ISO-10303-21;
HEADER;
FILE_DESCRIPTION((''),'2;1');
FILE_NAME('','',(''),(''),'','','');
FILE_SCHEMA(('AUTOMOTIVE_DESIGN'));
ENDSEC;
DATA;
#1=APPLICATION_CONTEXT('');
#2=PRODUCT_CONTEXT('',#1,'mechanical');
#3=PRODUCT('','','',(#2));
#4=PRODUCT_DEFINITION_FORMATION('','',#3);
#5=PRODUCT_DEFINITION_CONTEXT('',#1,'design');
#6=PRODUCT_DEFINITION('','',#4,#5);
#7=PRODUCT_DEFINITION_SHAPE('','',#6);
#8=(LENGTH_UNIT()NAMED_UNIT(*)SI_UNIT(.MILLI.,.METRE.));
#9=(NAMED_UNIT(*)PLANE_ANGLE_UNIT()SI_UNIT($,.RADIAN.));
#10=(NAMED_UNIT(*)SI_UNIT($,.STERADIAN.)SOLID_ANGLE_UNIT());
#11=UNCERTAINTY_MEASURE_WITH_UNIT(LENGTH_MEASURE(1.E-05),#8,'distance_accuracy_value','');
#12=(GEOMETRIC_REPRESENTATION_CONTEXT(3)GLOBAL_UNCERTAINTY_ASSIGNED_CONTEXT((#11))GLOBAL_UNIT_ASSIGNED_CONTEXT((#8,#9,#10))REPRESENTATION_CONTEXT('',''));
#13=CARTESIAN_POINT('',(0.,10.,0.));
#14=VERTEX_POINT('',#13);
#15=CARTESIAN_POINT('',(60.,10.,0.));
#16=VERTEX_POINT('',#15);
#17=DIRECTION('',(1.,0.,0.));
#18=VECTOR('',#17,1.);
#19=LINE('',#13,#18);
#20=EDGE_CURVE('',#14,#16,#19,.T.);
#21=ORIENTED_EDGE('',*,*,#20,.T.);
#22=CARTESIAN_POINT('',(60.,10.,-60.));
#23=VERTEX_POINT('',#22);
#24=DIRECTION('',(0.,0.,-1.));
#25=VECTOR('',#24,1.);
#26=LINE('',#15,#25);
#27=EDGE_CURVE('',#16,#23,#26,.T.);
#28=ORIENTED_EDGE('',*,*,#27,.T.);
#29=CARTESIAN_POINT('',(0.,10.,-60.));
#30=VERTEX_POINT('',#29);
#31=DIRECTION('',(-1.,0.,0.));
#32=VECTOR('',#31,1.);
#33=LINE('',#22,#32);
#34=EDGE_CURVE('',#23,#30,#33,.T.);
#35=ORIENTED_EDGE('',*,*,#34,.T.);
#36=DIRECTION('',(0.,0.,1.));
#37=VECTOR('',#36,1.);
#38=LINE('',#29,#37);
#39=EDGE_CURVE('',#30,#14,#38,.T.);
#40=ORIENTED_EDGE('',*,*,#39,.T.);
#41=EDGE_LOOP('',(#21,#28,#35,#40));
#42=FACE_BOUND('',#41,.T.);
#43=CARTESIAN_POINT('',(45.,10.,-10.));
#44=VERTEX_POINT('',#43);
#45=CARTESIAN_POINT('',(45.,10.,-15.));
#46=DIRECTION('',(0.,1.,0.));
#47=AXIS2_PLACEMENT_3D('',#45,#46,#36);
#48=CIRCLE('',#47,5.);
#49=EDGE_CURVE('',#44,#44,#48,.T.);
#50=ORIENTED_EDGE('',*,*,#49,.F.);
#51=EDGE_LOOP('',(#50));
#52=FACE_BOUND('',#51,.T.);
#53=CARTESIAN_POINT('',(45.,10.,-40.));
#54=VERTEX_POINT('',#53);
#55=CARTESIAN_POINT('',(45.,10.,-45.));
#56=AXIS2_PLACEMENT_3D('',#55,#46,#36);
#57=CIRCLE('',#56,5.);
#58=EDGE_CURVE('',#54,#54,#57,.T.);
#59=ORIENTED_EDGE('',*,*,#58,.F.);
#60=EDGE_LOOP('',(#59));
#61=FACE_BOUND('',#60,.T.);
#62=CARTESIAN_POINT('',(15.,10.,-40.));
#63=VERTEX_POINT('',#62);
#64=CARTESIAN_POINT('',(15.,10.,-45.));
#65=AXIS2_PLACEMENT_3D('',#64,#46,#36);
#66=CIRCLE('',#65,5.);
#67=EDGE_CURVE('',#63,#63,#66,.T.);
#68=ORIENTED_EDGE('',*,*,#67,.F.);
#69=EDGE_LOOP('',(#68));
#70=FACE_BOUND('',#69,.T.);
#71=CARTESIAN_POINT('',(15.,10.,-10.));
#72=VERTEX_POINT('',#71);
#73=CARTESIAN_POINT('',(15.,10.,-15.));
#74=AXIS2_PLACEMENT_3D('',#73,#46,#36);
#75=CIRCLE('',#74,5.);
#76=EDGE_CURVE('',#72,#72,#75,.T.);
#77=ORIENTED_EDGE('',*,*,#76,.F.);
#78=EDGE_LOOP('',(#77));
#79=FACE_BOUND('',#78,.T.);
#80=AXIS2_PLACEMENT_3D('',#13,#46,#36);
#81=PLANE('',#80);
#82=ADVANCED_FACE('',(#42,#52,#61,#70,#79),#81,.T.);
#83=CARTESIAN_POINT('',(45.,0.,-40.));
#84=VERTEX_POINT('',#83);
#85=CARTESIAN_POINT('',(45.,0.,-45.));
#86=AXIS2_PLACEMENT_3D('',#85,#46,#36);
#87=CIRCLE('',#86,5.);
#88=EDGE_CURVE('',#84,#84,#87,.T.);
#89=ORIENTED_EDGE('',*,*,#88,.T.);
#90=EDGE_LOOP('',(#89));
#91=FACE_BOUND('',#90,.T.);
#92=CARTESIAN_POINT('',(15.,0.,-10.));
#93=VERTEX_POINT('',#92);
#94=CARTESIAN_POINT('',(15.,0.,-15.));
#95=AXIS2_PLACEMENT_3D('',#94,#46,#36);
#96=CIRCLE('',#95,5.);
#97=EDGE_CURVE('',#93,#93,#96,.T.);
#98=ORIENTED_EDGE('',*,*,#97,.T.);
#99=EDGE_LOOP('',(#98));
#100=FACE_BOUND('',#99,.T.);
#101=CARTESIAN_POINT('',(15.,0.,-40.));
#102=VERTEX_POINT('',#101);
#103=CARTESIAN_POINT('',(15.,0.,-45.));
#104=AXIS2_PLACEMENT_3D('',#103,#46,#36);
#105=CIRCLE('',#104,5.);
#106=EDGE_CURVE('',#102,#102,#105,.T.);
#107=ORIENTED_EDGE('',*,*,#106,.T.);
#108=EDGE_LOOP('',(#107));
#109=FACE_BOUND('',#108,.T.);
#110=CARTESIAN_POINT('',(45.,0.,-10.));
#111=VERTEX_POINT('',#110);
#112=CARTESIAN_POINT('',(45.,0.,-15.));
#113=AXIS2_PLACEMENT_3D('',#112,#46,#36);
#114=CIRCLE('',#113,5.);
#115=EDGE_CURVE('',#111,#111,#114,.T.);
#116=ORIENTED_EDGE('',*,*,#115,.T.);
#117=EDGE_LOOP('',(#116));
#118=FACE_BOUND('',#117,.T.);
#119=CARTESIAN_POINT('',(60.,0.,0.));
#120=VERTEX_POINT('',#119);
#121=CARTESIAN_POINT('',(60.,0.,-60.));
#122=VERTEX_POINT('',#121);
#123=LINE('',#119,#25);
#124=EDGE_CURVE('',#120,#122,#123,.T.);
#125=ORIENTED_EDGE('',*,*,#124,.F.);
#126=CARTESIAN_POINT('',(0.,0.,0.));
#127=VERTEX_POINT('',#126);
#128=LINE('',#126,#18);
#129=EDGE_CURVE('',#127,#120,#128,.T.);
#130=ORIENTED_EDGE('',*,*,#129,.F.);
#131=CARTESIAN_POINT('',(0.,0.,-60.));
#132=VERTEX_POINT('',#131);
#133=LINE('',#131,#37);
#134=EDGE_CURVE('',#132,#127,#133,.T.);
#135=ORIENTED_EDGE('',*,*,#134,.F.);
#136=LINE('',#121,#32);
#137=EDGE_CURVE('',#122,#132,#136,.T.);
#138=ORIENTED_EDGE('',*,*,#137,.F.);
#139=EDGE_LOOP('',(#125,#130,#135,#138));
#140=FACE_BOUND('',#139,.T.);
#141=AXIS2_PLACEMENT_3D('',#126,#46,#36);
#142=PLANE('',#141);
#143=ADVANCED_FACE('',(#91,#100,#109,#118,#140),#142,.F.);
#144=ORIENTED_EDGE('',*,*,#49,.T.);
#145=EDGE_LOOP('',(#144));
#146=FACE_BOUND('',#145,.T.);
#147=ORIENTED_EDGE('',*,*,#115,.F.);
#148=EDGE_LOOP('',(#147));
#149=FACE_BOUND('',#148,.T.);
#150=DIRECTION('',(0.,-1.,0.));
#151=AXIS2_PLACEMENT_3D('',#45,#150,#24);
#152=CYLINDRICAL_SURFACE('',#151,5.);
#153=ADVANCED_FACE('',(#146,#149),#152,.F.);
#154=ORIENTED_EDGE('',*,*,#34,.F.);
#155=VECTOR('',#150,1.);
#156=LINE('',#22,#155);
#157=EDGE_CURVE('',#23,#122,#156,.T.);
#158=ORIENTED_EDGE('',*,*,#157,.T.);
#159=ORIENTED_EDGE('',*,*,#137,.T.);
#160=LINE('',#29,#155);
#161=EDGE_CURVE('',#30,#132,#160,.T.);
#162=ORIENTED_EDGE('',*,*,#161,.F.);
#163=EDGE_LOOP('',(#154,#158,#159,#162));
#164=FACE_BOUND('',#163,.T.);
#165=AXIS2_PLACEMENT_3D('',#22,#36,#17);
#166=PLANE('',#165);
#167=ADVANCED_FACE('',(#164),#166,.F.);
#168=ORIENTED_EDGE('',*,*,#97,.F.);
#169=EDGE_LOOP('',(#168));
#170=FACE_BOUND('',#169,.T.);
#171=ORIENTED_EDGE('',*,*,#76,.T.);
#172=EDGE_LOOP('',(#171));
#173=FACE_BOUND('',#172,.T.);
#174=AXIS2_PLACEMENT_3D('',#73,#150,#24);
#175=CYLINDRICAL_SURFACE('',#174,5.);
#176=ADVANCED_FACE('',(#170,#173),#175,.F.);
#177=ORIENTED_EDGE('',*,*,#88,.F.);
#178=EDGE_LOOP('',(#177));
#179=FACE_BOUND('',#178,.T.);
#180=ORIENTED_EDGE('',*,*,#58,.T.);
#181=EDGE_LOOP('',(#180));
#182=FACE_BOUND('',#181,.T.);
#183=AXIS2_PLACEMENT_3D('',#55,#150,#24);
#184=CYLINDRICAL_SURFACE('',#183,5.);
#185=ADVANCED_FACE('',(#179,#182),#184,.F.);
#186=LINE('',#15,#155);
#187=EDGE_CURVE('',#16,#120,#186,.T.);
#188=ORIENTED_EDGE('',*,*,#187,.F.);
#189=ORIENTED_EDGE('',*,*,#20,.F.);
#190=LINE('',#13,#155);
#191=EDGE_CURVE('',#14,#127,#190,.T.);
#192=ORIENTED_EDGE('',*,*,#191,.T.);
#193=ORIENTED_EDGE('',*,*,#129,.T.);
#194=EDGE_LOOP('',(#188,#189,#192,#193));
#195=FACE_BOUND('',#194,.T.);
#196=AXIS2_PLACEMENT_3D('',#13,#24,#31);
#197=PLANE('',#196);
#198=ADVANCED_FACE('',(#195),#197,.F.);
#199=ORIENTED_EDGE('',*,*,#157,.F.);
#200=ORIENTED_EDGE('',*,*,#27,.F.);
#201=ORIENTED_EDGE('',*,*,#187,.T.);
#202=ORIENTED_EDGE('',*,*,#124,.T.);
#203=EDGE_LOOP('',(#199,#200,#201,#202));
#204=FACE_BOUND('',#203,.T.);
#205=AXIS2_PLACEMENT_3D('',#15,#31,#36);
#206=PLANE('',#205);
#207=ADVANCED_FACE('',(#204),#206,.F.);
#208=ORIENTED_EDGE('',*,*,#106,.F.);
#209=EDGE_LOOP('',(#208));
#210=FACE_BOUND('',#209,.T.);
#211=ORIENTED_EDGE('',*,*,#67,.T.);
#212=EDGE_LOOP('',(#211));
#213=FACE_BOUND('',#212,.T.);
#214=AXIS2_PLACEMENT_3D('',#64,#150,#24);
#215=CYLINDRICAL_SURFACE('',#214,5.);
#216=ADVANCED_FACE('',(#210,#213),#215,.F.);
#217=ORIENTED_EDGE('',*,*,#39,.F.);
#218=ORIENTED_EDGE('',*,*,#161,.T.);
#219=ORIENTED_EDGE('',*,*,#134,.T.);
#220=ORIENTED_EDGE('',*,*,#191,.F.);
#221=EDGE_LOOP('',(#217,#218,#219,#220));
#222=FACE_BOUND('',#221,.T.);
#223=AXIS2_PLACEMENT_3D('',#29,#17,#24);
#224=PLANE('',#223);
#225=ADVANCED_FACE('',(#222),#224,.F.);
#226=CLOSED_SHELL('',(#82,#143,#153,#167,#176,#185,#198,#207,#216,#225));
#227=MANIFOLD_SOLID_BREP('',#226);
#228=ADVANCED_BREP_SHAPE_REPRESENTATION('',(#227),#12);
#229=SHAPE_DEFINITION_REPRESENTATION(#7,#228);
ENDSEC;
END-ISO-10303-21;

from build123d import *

# Parameters (mm, degrees)
SKETCH1_W           = 60
SKETCH1_H           = 60
SKETCH1_R           = 5
BOSS_EXTRUDE1_DEPTH = 10


with BuildPart() as part:
    # Sketch1 → Boss-Extrude1 (new body)
    with BuildSketch(Plane(origin=(0, 0, 0), x_dir=(1, 0, 0), z_dir=(0, 1, 0))):
        with Locations((30, 30)):
            Rectangle(SKETCH1_W, SKETCH1_H)
        with Locations((15, 45)):
            Circle(SKETCH1_R, mode=Mode.SUBTRACT)
        with Locations((45, 45)):
            Circle(SKETCH1_R, mode=Mode.SUBTRACT)
        with Locations((45, 15)):
            Circle(SKETCH1_R, mode=Mode.SUBTRACT)
        with Locations((15, 15)):
            Circle(SKETCH1_R, mode=Mode.SUBTRACT)
    extrude(amount=BOSS_EXTRUDE1_DEPTH)


solid = part.part
